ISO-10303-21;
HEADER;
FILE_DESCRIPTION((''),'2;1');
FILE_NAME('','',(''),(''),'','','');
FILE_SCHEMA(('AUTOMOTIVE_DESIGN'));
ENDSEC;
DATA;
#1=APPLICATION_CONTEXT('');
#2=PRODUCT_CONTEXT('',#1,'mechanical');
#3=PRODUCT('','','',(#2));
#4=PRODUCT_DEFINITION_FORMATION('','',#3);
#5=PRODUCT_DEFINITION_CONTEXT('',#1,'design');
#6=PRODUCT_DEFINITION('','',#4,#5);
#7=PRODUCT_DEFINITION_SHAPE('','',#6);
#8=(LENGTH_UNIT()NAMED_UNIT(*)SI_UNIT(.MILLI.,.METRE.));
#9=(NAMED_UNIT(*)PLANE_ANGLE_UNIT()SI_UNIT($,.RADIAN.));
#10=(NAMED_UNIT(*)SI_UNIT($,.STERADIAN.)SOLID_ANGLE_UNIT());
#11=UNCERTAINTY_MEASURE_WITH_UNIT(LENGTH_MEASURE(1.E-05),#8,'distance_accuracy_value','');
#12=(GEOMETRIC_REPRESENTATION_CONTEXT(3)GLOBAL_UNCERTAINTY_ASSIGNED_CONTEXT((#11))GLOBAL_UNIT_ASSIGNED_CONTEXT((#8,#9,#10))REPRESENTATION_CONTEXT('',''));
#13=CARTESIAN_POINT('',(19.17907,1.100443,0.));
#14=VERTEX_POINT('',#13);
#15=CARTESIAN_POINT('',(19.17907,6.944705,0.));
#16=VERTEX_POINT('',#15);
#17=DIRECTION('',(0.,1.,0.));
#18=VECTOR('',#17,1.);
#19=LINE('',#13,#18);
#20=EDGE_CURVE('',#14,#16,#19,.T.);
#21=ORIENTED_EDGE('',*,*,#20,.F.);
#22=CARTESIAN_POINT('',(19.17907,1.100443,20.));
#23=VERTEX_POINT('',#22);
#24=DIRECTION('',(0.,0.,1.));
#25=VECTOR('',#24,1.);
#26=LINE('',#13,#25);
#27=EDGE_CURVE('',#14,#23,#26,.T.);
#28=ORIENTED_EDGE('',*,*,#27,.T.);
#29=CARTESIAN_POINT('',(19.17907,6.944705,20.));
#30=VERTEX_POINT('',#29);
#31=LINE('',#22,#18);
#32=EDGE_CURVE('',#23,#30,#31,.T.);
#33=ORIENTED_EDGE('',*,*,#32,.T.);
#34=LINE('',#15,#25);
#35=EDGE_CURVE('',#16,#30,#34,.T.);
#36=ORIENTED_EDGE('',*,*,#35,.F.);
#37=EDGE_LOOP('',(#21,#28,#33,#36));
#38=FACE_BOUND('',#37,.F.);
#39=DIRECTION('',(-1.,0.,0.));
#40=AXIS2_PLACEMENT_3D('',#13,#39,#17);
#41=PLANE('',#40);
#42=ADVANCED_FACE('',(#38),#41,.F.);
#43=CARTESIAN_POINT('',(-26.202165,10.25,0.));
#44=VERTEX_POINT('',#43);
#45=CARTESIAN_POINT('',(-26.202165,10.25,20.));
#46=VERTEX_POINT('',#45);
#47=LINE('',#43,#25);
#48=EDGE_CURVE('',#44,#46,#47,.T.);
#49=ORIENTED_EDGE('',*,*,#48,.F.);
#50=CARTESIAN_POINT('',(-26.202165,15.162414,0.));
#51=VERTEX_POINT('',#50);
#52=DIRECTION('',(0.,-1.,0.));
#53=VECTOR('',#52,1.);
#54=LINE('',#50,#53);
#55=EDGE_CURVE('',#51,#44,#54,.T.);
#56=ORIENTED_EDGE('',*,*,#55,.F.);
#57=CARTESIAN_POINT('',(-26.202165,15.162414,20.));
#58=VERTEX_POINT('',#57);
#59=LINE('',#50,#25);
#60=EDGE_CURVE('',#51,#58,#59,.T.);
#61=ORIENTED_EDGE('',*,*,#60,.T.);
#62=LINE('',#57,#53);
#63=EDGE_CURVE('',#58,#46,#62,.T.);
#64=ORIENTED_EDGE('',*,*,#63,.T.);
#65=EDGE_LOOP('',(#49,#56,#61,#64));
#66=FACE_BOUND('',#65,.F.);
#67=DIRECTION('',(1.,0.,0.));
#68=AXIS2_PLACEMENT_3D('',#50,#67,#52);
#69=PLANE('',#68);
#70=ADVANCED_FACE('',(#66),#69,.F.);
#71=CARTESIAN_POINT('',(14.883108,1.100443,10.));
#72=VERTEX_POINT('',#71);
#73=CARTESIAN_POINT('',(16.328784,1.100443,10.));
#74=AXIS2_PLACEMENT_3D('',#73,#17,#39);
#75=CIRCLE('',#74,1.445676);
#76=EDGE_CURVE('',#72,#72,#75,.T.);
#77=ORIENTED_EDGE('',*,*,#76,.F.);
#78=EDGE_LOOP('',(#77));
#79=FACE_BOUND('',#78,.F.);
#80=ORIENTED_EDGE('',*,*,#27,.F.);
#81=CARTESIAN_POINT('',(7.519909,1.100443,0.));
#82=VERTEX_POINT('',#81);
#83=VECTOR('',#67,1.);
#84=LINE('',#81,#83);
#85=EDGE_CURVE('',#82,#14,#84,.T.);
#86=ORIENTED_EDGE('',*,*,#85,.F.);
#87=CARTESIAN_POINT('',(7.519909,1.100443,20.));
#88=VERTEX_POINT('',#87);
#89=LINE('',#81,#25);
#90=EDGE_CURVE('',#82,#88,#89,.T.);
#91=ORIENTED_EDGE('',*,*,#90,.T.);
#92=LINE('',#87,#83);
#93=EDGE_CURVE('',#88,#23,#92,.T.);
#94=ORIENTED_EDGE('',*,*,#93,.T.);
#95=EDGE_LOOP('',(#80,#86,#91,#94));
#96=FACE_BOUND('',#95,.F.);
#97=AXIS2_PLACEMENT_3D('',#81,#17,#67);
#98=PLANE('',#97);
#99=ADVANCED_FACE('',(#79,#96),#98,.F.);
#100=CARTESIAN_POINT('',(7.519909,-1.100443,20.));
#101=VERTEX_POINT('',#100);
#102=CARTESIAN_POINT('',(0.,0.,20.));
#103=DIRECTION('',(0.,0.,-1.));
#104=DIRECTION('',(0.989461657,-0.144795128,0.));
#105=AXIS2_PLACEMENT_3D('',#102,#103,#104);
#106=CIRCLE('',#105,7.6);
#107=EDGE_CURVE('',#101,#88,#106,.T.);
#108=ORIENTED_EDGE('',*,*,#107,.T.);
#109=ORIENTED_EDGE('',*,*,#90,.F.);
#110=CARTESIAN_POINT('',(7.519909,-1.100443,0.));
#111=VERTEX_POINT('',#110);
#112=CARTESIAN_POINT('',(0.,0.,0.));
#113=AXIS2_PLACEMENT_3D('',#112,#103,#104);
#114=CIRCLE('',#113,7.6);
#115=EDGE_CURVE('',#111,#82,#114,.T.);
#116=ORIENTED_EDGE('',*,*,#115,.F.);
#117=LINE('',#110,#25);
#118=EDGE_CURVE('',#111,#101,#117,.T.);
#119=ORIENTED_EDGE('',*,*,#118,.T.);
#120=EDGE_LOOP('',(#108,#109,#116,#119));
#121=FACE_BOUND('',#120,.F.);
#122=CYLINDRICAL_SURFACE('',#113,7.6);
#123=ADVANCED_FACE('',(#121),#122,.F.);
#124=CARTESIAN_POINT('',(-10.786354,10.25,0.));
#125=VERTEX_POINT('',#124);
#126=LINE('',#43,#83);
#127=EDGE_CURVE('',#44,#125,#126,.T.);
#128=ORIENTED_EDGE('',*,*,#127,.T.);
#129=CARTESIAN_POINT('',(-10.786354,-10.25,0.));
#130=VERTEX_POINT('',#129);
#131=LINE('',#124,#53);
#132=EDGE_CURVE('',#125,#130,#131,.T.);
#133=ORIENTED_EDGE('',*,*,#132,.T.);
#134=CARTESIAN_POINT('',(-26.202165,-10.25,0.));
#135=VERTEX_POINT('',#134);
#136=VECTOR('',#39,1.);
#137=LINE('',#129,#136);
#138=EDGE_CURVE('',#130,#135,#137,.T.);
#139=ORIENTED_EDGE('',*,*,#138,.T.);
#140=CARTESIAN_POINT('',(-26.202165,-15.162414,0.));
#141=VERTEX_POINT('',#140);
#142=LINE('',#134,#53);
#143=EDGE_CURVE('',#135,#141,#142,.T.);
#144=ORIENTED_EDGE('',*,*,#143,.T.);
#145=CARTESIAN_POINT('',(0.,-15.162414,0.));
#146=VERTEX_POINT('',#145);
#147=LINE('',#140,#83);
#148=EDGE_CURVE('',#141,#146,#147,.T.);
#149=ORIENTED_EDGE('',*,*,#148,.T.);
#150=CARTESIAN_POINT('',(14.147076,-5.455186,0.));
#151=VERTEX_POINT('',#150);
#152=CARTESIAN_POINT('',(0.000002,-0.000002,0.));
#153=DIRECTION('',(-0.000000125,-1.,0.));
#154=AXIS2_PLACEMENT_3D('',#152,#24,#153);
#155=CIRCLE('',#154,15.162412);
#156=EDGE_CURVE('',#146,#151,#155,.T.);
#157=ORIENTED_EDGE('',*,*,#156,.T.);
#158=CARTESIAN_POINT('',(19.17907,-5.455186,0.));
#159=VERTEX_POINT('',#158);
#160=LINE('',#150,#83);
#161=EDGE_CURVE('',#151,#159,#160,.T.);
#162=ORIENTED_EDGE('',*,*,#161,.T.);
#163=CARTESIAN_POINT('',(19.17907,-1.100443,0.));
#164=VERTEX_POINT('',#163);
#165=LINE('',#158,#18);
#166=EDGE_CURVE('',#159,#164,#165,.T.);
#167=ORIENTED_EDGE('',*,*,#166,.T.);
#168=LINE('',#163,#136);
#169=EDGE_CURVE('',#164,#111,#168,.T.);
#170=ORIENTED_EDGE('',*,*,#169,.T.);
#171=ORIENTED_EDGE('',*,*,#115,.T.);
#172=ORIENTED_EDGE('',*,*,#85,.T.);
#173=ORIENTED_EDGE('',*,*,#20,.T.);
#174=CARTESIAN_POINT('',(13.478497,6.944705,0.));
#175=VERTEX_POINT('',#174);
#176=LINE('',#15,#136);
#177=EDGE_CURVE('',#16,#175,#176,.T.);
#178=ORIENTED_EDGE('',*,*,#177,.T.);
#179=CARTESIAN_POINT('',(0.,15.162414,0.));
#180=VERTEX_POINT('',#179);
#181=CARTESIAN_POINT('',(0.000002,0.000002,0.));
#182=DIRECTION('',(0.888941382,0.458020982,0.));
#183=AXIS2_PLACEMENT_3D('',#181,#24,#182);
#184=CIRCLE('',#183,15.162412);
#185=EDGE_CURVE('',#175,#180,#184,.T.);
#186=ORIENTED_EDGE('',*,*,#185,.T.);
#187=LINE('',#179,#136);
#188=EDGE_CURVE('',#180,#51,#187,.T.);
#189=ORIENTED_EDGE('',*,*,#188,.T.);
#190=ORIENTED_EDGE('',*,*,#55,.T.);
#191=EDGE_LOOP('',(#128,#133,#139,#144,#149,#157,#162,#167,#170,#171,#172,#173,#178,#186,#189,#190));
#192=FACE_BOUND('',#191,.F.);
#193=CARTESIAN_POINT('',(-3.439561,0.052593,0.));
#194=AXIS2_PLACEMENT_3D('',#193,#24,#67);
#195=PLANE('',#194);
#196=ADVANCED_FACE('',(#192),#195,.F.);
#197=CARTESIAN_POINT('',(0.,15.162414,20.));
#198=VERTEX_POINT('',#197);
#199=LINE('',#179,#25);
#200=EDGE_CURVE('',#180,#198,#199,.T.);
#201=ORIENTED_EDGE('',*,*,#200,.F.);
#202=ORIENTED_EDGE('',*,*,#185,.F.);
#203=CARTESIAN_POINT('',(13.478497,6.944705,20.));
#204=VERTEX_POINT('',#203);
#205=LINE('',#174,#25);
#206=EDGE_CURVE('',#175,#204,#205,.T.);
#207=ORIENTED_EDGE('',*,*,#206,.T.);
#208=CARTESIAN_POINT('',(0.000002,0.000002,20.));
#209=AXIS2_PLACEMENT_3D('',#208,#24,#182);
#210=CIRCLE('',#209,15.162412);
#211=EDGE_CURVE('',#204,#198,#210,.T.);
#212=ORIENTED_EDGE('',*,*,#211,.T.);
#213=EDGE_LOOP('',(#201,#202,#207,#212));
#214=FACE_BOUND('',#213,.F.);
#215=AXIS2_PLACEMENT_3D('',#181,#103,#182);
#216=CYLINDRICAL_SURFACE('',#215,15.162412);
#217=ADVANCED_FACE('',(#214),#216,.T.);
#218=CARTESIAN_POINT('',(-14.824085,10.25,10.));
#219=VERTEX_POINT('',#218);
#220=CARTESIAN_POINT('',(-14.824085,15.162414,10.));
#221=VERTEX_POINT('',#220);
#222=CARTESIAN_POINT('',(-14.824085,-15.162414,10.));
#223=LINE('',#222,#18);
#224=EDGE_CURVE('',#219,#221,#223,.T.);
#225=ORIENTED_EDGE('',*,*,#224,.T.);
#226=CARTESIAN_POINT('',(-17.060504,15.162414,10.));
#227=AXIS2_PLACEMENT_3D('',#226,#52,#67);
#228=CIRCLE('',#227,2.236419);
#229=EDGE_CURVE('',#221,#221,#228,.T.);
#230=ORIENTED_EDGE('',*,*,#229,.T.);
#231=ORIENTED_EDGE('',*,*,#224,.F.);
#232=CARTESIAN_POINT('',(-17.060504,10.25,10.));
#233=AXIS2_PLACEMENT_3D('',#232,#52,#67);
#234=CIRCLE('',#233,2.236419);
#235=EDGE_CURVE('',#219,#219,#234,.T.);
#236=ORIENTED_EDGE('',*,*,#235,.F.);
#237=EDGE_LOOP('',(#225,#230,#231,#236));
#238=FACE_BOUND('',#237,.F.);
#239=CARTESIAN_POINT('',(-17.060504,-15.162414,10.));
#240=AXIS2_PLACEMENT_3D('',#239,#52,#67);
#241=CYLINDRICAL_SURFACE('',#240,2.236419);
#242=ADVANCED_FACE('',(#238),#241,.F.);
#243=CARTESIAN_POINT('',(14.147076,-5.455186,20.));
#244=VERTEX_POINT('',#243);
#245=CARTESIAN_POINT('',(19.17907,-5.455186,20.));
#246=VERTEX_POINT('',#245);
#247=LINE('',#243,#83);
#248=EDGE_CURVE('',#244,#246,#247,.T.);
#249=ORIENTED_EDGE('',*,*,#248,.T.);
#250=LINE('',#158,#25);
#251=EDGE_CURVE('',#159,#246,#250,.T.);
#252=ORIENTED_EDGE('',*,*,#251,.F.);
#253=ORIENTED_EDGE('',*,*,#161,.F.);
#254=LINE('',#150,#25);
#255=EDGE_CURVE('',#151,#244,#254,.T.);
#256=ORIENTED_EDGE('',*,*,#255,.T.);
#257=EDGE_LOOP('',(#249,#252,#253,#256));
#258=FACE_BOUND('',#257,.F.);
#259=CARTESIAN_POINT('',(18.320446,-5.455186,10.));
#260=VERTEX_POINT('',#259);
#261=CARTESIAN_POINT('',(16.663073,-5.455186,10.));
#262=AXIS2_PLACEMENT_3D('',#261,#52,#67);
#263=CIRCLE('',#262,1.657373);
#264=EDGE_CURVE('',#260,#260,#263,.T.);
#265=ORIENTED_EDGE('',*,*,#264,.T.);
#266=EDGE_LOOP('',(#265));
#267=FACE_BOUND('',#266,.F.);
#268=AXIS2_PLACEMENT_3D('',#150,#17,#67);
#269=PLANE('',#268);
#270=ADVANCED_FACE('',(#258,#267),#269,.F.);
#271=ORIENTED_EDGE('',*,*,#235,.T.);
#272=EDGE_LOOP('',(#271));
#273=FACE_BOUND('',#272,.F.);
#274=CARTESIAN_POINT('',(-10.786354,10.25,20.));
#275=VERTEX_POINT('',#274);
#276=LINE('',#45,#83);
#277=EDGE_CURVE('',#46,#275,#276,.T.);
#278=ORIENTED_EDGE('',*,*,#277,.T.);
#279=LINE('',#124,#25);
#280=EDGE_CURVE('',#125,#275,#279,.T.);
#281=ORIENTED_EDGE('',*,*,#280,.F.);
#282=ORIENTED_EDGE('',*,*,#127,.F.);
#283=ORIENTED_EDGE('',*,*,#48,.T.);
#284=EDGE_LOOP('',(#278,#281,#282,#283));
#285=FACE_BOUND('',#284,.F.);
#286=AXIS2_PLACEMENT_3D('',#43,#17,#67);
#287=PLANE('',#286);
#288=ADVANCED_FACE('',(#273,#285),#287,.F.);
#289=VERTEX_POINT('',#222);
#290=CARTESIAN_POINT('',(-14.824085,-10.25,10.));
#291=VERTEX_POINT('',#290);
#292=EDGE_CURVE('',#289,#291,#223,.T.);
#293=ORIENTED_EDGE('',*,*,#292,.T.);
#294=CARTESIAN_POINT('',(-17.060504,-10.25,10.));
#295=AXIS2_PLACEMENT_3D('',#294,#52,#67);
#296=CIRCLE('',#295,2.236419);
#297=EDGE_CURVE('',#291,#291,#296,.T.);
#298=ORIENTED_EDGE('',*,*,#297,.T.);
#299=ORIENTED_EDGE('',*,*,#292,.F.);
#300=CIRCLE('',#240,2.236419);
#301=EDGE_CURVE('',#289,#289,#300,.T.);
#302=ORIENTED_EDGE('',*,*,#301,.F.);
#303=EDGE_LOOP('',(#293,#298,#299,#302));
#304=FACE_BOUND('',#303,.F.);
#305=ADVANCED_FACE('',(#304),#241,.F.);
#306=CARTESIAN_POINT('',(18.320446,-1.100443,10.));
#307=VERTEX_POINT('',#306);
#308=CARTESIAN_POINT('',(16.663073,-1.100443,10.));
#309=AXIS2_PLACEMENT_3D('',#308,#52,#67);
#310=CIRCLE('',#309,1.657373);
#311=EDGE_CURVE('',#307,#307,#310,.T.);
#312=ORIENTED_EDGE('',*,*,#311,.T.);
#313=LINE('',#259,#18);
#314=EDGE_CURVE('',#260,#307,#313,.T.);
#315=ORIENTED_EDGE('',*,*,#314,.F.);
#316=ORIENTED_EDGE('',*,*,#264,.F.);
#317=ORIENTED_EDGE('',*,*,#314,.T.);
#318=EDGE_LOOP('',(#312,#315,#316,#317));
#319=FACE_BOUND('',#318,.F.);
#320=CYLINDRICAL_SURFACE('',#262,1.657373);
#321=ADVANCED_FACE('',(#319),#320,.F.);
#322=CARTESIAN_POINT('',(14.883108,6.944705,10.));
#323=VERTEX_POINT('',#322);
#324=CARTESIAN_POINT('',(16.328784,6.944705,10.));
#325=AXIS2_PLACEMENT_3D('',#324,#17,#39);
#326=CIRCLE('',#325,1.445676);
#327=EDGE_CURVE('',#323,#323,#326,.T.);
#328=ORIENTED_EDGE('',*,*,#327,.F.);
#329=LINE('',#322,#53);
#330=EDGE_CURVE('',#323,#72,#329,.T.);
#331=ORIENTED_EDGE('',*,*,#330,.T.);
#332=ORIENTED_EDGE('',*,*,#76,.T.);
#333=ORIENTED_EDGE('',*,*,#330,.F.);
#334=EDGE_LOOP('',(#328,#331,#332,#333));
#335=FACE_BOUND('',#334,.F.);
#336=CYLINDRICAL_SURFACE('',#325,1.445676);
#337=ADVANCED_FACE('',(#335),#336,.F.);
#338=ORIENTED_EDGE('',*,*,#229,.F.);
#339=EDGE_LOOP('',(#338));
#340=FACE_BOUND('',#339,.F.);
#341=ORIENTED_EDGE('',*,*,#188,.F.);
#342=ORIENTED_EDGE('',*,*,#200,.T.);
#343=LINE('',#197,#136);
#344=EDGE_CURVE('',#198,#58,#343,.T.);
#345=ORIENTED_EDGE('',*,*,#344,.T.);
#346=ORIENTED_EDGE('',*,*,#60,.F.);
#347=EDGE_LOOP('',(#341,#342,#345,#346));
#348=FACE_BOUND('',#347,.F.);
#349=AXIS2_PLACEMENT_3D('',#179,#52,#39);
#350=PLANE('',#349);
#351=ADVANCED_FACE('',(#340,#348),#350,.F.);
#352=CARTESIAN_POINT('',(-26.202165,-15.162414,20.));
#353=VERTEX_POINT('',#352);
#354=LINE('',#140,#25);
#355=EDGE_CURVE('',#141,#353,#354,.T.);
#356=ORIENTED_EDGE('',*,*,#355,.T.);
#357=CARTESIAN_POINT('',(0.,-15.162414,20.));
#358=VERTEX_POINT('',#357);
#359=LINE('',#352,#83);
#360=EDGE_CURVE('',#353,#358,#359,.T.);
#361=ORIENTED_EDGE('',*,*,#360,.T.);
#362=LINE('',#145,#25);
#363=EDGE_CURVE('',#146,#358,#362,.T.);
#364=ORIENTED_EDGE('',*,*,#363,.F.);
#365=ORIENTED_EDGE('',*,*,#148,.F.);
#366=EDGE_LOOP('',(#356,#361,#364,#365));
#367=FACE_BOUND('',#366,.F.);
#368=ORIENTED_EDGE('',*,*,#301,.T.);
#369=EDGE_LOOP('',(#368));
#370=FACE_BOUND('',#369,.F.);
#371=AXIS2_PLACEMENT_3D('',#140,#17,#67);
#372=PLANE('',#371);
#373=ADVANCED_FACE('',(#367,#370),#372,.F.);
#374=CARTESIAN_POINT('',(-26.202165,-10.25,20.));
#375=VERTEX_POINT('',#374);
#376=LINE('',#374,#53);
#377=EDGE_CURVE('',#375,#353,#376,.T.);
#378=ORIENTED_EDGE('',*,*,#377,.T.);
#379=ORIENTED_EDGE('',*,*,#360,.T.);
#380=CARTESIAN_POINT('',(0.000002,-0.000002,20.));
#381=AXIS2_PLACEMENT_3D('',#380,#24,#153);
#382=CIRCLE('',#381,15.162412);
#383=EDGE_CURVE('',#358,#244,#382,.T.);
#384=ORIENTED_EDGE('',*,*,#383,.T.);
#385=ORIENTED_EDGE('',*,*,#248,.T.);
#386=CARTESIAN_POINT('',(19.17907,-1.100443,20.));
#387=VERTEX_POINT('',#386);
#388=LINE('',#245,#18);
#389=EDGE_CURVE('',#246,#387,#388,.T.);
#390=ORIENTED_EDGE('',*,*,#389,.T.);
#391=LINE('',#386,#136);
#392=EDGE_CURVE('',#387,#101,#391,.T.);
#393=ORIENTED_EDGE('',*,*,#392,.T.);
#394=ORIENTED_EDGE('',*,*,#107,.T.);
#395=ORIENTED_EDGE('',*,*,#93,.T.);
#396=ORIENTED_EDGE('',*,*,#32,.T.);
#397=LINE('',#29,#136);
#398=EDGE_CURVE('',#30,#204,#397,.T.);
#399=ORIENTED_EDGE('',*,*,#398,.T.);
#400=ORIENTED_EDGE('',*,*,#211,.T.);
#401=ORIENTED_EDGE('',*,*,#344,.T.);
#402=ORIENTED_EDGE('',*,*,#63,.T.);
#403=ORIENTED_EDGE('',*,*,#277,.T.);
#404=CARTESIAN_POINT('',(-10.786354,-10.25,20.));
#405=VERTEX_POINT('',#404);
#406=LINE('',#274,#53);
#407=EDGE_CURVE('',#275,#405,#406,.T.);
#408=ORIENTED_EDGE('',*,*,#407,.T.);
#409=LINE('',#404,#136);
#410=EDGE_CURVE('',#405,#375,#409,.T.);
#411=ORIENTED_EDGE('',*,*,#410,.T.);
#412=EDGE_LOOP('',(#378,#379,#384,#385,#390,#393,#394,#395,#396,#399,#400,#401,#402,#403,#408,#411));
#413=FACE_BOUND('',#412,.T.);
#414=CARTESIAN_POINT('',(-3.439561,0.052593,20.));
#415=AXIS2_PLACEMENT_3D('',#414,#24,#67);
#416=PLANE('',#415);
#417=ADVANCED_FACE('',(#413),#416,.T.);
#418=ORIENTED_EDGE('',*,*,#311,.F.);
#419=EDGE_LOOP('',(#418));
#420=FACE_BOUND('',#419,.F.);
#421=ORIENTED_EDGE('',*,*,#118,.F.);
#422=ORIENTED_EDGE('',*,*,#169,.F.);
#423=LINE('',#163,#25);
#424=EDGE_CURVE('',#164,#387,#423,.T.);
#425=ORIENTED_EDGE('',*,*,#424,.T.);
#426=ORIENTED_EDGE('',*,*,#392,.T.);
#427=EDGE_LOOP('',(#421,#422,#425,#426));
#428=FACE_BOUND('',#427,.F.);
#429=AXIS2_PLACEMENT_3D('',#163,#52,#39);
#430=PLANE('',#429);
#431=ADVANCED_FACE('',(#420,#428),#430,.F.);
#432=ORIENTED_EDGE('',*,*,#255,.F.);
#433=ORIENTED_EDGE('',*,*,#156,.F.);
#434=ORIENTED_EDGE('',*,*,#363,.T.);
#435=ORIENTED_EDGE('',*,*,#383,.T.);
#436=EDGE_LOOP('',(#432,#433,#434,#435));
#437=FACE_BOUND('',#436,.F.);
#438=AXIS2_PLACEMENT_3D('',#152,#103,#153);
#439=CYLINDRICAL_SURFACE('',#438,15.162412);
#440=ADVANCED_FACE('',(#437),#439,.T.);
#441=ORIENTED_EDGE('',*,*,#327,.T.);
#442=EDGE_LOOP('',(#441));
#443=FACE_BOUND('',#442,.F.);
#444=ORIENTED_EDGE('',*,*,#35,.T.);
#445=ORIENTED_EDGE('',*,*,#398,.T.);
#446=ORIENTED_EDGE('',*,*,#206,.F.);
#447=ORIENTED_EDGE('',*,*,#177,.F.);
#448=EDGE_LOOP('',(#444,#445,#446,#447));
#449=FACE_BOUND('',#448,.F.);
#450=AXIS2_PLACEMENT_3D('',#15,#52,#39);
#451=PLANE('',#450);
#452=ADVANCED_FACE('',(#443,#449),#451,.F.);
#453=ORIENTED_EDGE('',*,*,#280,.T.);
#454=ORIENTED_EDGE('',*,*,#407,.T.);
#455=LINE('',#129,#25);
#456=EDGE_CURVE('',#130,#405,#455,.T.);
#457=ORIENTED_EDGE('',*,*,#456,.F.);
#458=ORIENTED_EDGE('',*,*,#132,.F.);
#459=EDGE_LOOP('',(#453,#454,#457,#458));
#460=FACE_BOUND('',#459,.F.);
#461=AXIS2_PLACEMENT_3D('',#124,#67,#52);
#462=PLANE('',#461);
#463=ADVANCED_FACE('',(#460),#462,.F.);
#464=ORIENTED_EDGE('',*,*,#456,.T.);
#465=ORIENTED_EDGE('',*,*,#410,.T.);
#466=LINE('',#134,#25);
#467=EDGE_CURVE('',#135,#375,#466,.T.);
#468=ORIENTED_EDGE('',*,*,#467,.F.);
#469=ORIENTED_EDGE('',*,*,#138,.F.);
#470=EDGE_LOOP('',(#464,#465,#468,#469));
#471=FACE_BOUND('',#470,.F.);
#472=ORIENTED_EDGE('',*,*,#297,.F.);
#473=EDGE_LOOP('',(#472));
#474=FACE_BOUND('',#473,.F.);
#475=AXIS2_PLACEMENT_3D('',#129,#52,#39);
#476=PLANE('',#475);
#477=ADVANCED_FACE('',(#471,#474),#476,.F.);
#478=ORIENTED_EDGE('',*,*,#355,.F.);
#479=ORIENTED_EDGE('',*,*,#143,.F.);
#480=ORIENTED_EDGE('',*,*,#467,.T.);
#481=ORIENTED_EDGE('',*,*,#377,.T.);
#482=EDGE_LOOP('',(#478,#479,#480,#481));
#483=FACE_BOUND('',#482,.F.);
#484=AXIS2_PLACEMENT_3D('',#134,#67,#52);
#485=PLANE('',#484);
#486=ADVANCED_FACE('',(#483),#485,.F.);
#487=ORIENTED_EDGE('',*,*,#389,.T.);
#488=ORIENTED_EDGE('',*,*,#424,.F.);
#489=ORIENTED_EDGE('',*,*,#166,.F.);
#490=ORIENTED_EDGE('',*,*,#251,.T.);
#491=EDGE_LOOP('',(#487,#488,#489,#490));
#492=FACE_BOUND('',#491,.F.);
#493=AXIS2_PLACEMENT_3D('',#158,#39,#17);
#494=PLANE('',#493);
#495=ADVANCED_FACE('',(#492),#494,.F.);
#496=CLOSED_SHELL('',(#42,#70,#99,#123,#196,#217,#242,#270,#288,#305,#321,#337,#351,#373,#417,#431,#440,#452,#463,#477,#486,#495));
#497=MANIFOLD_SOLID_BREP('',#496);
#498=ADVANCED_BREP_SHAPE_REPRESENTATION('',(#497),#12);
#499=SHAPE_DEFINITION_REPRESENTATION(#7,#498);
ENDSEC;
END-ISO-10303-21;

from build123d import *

# Parameters (mm, degrees)
F1_DEPTH = 20
F2_R     = 1.657373
F3_DEPTH = 4.354743
F4_R     = 1.445676
F5_DEPTH = 5.844262
F6_R     = 2.236419
F7_DEPTH = 30.325829


with BuildPart() as f1:
    # F0 (on Top) → F1 (new body)
    with BuildSketch(Plane.XY):
        with BuildLine():
            ThreePointArc((7.519909, -1.100443), (-7.6, 0), (7.519909, 1.100443))
            Line((7.519909, 1.100443), (19.17907, 1.100443))
            Line((19.17907, 1.100443), (19.17907, 6.944705))
            Line((19.17907, 6.944705), (13.478497, 6.944705))
            ThreePointArc((13.478497, 6.944705), (7.893045, 12.94599), (0, 15.162414))
            Line((0, 15.162414), (-26.202165, 15.162414))
            Line((-26.202165, 15.162414), (-26.202165, 10.25))
            Line((-26.202165, 10.25), (-10.786354, 10.25))
            Line((-10.786354, 10.25), (-10.786354, -10.25))
            Line((-10.786354, -10.25), (-26.202165, -10.25))
            Line((-26.202165, -10.25), (-26.202165, -15.162414))
            Line((-26.202165, -15.162414), (0, -15.162414))
            ThreePointArc((0, -15.162414), (8.578608, -12.502252), (14.147076, -5.455186))
            Line((14.147076, -5.455186), (19.17907, -5.455186))
            Line((19.17907, -5.455186), (19.17907, -1.100443))
            Line((19.17907, -1.100443), (7.519909, -1.100443))
        make_face()
    extrude(amount=F1_DEPTH)

    # F2 (on face) → F3 (cut, through all)
    with BuildSketch(Plane.XZ.offset(5.455186)):
        with Locations((16.663073, 10)):
            Circle(F2_R)
    extrude(amount=-F3_DEPTH, mode=Mode.SUBTRACT)

    # F4 (on face) → F5 (cut, through all)
    with BuildSketch(Plane(origin=(0, 6.944705, 0), x_dir=(-1, 0, 0), z_dir=(0, 1, 0))):
        with Locations((-16.328784, 10)):
            Circle(F4_R)
    extrude(amount=-F5_DEPTH, mode=Mode.SUBTRACT)

    # F6 (on face) → F7 (cut, through all)
    with BuildSketch(Plane.XZ.offset(15.162414)):
        with Locations((-17.060504, 10)):
            Circle(F6_R)
    extrude(amount=-F7_DEPTH, mode=Mode.SUBTRACT)


solid = f1.part
